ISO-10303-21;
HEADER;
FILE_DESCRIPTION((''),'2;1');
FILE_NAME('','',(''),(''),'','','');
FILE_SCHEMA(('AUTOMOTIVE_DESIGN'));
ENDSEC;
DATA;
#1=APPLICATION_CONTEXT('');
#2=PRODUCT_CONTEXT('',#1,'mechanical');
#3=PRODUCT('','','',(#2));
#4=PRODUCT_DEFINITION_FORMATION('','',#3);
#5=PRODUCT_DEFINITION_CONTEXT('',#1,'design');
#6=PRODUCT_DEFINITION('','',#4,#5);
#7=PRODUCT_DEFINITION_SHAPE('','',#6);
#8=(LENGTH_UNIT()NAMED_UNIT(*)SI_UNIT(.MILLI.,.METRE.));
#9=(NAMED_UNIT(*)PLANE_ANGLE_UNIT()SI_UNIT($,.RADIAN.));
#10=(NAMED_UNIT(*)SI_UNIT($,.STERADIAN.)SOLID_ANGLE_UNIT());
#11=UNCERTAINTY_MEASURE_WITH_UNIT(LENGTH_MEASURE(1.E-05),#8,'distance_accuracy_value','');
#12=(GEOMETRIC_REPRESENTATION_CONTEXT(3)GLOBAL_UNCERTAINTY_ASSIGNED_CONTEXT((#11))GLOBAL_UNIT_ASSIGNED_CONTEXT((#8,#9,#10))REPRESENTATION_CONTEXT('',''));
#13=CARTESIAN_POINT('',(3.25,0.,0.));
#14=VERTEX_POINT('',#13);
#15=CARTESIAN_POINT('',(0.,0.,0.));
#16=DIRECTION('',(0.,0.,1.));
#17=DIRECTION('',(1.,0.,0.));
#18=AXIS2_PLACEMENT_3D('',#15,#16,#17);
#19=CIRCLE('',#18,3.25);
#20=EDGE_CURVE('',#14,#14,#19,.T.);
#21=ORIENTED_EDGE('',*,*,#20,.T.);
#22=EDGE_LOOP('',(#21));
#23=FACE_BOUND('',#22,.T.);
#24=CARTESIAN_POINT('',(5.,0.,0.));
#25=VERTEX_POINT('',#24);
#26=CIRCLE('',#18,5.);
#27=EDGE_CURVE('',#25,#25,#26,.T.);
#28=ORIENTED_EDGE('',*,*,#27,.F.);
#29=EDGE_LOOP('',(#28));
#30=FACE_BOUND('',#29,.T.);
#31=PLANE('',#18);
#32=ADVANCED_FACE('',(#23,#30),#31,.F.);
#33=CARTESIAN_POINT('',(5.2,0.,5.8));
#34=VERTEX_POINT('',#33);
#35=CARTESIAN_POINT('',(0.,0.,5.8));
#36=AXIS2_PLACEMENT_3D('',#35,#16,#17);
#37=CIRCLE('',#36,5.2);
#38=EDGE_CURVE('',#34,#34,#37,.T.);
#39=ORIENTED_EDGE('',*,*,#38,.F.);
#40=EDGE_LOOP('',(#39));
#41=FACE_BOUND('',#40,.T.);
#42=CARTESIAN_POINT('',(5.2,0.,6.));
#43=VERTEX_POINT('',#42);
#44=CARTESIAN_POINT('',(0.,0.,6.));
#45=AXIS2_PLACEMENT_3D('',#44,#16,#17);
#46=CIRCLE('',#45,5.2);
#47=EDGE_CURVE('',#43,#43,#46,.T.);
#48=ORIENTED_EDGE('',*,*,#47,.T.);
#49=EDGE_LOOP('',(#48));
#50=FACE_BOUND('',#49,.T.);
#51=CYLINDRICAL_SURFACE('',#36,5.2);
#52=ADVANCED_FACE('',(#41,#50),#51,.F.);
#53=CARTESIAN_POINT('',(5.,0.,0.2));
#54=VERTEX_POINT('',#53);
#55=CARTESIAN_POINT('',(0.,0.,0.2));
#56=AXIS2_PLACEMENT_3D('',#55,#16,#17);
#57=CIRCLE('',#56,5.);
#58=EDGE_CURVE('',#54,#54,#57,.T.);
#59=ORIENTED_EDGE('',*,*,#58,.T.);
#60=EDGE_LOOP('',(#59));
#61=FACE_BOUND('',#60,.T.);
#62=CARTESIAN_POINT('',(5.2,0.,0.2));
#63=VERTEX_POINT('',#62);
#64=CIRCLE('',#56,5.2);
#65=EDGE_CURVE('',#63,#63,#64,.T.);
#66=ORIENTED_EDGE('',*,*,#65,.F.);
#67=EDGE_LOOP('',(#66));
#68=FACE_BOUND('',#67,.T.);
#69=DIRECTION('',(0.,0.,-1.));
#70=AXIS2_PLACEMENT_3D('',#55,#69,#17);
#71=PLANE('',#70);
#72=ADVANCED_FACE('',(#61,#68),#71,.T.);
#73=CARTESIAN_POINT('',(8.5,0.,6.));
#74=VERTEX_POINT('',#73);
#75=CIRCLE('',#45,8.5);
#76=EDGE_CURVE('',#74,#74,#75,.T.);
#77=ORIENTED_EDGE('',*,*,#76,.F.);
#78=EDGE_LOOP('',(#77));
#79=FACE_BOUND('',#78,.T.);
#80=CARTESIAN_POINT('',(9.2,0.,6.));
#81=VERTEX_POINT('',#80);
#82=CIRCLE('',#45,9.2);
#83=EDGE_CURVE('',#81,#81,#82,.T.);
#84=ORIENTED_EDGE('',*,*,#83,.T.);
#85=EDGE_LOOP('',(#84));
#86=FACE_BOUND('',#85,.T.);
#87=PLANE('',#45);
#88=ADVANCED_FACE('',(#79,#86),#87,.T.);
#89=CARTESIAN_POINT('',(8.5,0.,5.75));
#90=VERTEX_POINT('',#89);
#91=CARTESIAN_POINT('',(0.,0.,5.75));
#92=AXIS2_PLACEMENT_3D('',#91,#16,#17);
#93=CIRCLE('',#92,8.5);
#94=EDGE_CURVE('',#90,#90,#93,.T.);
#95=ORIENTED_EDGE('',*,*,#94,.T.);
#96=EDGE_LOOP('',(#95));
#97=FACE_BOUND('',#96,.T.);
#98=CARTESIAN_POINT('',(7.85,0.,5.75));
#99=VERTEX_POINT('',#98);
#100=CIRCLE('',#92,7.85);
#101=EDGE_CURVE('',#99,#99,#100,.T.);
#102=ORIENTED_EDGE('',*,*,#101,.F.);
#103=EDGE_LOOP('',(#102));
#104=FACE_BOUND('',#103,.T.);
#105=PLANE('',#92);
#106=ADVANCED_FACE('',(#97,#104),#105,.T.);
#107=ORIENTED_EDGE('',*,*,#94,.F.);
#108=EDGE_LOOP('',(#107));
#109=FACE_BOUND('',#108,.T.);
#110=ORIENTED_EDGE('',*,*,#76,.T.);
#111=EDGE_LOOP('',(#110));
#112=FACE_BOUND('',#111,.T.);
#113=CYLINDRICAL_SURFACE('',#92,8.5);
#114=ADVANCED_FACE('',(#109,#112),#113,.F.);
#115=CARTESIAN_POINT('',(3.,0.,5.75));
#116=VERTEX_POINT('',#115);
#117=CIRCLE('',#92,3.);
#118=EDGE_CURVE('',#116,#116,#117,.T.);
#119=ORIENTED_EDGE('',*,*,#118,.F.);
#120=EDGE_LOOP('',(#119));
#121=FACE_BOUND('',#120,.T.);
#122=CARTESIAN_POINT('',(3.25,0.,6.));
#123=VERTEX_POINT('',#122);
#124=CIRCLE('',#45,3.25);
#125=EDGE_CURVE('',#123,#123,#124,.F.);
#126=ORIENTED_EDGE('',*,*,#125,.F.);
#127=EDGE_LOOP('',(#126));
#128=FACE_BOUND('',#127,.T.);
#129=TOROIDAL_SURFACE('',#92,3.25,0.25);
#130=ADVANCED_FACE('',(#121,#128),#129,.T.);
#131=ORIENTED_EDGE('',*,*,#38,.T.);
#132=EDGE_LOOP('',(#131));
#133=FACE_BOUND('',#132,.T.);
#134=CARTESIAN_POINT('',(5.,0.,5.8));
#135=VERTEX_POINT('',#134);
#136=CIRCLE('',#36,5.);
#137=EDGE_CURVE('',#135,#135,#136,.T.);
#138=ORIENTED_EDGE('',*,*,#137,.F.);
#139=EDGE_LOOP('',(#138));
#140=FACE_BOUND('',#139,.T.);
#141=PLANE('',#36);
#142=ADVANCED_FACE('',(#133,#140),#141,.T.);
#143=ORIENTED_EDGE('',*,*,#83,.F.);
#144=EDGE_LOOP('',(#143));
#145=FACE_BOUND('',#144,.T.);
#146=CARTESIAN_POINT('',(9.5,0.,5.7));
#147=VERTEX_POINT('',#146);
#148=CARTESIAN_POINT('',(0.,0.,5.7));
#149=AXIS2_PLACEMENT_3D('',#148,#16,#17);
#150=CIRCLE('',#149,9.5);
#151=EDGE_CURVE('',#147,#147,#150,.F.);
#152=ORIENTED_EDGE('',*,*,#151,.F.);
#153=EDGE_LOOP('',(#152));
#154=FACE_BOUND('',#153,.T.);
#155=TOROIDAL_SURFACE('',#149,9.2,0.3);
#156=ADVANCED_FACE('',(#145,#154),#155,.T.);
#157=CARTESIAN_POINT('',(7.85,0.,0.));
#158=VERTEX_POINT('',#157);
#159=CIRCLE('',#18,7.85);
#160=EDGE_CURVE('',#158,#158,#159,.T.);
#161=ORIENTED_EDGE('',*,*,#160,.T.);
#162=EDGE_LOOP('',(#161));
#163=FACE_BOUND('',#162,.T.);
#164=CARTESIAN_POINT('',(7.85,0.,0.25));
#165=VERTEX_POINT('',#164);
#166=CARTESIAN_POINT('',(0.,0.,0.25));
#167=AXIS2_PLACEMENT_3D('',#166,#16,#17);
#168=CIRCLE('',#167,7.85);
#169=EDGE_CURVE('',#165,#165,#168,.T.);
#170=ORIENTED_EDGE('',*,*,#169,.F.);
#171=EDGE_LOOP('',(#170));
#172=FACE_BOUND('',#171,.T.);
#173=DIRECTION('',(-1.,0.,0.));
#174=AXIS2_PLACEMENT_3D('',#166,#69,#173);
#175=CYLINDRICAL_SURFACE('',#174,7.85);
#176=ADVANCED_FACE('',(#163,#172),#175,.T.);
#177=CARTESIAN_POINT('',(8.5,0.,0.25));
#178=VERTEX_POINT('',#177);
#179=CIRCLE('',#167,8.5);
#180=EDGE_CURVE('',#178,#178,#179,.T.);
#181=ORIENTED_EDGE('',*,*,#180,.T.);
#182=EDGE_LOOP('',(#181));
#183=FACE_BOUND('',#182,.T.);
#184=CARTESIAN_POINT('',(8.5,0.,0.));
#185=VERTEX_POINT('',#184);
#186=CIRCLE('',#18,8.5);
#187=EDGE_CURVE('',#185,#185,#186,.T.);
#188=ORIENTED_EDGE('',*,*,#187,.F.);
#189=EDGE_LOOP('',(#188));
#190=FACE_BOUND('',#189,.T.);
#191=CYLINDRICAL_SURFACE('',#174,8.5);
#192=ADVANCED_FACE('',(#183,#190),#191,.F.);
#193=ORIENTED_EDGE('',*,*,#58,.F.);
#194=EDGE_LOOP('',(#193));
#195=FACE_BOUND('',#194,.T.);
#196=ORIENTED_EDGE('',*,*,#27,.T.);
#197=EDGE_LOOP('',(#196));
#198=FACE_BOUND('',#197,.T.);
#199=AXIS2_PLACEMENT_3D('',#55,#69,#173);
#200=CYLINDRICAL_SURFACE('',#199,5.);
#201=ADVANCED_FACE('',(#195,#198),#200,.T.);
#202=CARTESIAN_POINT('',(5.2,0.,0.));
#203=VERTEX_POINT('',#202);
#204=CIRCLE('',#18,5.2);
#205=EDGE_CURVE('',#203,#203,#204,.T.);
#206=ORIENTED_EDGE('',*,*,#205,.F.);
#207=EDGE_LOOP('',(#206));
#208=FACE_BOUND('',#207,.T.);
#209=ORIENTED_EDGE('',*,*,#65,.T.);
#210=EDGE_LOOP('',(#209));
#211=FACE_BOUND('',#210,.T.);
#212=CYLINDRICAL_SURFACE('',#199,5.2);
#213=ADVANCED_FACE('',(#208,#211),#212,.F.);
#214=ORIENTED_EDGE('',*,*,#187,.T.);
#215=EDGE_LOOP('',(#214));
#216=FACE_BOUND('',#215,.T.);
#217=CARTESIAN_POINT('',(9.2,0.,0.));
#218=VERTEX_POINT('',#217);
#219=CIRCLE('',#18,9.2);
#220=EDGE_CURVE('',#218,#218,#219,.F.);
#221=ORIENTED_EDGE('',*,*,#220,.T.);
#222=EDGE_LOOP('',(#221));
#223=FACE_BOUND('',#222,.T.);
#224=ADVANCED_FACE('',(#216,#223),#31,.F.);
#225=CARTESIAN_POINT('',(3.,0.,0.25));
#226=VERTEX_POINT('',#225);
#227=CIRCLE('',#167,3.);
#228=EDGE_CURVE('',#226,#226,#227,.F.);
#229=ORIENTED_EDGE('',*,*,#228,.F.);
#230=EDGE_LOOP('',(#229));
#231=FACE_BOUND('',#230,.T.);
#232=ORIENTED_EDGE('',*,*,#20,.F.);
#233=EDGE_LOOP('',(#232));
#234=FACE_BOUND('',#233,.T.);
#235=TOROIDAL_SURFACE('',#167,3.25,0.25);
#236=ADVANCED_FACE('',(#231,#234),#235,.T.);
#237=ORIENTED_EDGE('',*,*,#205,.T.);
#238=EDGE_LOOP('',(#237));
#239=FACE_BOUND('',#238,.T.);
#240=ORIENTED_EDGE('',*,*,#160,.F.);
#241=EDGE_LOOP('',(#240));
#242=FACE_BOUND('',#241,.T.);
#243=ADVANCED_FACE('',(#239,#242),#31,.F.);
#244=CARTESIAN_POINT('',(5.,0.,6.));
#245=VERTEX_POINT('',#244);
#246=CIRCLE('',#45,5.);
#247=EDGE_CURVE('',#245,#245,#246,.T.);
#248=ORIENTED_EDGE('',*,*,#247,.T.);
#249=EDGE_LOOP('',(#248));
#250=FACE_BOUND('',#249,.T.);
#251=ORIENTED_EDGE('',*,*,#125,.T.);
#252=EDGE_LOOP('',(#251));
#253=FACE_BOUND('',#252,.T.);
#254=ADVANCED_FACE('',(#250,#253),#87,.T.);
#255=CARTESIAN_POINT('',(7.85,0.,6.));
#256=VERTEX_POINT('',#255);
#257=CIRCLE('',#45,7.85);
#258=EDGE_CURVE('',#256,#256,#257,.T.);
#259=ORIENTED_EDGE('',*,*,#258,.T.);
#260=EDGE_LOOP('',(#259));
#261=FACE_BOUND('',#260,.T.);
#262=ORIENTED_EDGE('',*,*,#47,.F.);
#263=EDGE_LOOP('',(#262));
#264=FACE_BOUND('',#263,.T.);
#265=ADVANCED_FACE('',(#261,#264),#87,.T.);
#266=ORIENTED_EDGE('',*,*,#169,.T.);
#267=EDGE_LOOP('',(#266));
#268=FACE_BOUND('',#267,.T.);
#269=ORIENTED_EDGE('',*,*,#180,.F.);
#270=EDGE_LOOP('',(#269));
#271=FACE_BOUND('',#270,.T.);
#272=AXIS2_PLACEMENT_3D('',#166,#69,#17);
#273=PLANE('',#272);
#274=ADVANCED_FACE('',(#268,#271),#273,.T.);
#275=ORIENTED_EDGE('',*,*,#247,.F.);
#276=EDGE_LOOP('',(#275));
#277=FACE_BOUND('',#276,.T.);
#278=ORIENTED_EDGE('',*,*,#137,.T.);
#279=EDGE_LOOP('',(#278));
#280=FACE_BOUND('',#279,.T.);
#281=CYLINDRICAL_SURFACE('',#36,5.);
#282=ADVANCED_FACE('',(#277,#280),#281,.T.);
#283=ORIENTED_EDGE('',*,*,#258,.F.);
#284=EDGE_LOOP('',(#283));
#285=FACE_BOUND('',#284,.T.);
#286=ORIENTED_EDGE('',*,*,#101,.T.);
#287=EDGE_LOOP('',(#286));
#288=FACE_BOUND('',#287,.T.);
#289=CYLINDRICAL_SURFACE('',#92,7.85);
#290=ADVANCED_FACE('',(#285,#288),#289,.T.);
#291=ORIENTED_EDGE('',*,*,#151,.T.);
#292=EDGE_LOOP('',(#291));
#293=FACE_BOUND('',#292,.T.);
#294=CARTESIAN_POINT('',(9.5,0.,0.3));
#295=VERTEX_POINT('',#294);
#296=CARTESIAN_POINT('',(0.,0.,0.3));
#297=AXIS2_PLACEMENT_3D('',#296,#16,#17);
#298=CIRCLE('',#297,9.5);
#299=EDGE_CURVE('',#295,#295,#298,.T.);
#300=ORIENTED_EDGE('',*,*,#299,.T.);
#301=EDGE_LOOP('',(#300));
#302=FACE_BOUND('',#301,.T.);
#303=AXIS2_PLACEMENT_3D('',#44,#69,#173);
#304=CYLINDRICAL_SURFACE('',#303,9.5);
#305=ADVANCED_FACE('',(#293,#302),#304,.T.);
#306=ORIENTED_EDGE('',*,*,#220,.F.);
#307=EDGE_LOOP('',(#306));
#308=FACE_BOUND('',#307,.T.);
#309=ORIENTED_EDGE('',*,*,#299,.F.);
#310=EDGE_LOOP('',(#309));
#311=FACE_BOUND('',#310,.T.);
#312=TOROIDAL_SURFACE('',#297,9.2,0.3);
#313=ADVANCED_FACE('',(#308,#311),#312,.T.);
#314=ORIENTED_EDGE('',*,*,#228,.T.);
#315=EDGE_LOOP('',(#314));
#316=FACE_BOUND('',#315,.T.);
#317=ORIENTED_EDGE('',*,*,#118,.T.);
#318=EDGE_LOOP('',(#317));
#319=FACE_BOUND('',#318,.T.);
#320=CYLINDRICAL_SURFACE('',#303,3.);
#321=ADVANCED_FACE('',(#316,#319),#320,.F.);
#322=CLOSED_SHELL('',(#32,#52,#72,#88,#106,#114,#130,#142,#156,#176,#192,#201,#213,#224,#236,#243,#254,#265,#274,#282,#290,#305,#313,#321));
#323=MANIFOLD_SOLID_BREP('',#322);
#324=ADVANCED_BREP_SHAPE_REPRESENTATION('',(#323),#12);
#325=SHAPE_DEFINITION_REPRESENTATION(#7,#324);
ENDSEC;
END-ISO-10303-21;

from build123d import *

# Parameters (mm, degrees)
SKETCH1_R           = 9.5
SKETCH1_R_2         = 3
BOSS_EXTRUDE1_DEPTH = 6
SKETCH2_R           = 5.2
SKETCH2_R_2         = 5
CUT_EXTRUDE1_DEPTH  = 0.2
SKETCH3_R           = 8.5
SKETCH3_R_2         = 7.85
CUT_EXTRUDE2_DEPTH  = 0.25
FILLET1_R           = 0.3
FILLET2_R           = 0.25


with BuildPart() as part:
    # Sketch1 → Boss-Extrude1 (new body)
    with BuildSketch(Plane.XY):
        Circle(SKETCH1_R)
        Circle(SKETCH1_R_2, mode=Mode.SUBTRACT)
    extrude(amount=BOSS_EXTRUDE1_DEPTH)

    # Sketch2 → Cut-Extrude1 (cut)
    with BuildSketch(Plane.XY.offset(6)):
        Circle(SKETCH2_R)
        Circle(SKETCH2_R_2, mode=Mode.SUBTRACT)
    cut_extrude1 = extrude(amount=-CUT_EXTRUDE1_DEPTH, mode=Mode.SUBTRACT)

    # Sketch3 → Cut-Extrude2 (cut)
    with BuildSketch(Plane.XY.offset(6)):
        Circle(SKETCH3_R)
        Circle(SKETCH3_R_2, mode=Mode.SUBTRACT)
    cut_extrude2 = extrude(amount=-CUT_EXTRUDE2_DEPTH, mode=Mode.SUBTRACT)

    # Mirror1: Cut-Extrude1, Cut-Extrude2 across plane
    add(cut_extrude1.mirror(Plane.XY.offset(3)), mode=Mode.SUBTRACT)
    add(cut_extrude2.mirror(Plane.XY.offset(3)), mode=Mode.SUBTRACT)

    # Fillet1
    fillet1_edges = [part.edges().sort_by_distance(p)[0] for p in [
        (-9.5, 0, 0),
        (-9.5, 0, 6),
    ]]
    fillet(fillet1_edges, radius=FILLET1_R)

    # Fillet2
    fillet2_edges = [part.edges().sort_by_distance(p)[0] for p in [
        (-3, 0, 0),
        (-3, 0, 6),
    ]]
    fillet(fillet2_edges, radius=FILLET2_R)


solid = part.part
